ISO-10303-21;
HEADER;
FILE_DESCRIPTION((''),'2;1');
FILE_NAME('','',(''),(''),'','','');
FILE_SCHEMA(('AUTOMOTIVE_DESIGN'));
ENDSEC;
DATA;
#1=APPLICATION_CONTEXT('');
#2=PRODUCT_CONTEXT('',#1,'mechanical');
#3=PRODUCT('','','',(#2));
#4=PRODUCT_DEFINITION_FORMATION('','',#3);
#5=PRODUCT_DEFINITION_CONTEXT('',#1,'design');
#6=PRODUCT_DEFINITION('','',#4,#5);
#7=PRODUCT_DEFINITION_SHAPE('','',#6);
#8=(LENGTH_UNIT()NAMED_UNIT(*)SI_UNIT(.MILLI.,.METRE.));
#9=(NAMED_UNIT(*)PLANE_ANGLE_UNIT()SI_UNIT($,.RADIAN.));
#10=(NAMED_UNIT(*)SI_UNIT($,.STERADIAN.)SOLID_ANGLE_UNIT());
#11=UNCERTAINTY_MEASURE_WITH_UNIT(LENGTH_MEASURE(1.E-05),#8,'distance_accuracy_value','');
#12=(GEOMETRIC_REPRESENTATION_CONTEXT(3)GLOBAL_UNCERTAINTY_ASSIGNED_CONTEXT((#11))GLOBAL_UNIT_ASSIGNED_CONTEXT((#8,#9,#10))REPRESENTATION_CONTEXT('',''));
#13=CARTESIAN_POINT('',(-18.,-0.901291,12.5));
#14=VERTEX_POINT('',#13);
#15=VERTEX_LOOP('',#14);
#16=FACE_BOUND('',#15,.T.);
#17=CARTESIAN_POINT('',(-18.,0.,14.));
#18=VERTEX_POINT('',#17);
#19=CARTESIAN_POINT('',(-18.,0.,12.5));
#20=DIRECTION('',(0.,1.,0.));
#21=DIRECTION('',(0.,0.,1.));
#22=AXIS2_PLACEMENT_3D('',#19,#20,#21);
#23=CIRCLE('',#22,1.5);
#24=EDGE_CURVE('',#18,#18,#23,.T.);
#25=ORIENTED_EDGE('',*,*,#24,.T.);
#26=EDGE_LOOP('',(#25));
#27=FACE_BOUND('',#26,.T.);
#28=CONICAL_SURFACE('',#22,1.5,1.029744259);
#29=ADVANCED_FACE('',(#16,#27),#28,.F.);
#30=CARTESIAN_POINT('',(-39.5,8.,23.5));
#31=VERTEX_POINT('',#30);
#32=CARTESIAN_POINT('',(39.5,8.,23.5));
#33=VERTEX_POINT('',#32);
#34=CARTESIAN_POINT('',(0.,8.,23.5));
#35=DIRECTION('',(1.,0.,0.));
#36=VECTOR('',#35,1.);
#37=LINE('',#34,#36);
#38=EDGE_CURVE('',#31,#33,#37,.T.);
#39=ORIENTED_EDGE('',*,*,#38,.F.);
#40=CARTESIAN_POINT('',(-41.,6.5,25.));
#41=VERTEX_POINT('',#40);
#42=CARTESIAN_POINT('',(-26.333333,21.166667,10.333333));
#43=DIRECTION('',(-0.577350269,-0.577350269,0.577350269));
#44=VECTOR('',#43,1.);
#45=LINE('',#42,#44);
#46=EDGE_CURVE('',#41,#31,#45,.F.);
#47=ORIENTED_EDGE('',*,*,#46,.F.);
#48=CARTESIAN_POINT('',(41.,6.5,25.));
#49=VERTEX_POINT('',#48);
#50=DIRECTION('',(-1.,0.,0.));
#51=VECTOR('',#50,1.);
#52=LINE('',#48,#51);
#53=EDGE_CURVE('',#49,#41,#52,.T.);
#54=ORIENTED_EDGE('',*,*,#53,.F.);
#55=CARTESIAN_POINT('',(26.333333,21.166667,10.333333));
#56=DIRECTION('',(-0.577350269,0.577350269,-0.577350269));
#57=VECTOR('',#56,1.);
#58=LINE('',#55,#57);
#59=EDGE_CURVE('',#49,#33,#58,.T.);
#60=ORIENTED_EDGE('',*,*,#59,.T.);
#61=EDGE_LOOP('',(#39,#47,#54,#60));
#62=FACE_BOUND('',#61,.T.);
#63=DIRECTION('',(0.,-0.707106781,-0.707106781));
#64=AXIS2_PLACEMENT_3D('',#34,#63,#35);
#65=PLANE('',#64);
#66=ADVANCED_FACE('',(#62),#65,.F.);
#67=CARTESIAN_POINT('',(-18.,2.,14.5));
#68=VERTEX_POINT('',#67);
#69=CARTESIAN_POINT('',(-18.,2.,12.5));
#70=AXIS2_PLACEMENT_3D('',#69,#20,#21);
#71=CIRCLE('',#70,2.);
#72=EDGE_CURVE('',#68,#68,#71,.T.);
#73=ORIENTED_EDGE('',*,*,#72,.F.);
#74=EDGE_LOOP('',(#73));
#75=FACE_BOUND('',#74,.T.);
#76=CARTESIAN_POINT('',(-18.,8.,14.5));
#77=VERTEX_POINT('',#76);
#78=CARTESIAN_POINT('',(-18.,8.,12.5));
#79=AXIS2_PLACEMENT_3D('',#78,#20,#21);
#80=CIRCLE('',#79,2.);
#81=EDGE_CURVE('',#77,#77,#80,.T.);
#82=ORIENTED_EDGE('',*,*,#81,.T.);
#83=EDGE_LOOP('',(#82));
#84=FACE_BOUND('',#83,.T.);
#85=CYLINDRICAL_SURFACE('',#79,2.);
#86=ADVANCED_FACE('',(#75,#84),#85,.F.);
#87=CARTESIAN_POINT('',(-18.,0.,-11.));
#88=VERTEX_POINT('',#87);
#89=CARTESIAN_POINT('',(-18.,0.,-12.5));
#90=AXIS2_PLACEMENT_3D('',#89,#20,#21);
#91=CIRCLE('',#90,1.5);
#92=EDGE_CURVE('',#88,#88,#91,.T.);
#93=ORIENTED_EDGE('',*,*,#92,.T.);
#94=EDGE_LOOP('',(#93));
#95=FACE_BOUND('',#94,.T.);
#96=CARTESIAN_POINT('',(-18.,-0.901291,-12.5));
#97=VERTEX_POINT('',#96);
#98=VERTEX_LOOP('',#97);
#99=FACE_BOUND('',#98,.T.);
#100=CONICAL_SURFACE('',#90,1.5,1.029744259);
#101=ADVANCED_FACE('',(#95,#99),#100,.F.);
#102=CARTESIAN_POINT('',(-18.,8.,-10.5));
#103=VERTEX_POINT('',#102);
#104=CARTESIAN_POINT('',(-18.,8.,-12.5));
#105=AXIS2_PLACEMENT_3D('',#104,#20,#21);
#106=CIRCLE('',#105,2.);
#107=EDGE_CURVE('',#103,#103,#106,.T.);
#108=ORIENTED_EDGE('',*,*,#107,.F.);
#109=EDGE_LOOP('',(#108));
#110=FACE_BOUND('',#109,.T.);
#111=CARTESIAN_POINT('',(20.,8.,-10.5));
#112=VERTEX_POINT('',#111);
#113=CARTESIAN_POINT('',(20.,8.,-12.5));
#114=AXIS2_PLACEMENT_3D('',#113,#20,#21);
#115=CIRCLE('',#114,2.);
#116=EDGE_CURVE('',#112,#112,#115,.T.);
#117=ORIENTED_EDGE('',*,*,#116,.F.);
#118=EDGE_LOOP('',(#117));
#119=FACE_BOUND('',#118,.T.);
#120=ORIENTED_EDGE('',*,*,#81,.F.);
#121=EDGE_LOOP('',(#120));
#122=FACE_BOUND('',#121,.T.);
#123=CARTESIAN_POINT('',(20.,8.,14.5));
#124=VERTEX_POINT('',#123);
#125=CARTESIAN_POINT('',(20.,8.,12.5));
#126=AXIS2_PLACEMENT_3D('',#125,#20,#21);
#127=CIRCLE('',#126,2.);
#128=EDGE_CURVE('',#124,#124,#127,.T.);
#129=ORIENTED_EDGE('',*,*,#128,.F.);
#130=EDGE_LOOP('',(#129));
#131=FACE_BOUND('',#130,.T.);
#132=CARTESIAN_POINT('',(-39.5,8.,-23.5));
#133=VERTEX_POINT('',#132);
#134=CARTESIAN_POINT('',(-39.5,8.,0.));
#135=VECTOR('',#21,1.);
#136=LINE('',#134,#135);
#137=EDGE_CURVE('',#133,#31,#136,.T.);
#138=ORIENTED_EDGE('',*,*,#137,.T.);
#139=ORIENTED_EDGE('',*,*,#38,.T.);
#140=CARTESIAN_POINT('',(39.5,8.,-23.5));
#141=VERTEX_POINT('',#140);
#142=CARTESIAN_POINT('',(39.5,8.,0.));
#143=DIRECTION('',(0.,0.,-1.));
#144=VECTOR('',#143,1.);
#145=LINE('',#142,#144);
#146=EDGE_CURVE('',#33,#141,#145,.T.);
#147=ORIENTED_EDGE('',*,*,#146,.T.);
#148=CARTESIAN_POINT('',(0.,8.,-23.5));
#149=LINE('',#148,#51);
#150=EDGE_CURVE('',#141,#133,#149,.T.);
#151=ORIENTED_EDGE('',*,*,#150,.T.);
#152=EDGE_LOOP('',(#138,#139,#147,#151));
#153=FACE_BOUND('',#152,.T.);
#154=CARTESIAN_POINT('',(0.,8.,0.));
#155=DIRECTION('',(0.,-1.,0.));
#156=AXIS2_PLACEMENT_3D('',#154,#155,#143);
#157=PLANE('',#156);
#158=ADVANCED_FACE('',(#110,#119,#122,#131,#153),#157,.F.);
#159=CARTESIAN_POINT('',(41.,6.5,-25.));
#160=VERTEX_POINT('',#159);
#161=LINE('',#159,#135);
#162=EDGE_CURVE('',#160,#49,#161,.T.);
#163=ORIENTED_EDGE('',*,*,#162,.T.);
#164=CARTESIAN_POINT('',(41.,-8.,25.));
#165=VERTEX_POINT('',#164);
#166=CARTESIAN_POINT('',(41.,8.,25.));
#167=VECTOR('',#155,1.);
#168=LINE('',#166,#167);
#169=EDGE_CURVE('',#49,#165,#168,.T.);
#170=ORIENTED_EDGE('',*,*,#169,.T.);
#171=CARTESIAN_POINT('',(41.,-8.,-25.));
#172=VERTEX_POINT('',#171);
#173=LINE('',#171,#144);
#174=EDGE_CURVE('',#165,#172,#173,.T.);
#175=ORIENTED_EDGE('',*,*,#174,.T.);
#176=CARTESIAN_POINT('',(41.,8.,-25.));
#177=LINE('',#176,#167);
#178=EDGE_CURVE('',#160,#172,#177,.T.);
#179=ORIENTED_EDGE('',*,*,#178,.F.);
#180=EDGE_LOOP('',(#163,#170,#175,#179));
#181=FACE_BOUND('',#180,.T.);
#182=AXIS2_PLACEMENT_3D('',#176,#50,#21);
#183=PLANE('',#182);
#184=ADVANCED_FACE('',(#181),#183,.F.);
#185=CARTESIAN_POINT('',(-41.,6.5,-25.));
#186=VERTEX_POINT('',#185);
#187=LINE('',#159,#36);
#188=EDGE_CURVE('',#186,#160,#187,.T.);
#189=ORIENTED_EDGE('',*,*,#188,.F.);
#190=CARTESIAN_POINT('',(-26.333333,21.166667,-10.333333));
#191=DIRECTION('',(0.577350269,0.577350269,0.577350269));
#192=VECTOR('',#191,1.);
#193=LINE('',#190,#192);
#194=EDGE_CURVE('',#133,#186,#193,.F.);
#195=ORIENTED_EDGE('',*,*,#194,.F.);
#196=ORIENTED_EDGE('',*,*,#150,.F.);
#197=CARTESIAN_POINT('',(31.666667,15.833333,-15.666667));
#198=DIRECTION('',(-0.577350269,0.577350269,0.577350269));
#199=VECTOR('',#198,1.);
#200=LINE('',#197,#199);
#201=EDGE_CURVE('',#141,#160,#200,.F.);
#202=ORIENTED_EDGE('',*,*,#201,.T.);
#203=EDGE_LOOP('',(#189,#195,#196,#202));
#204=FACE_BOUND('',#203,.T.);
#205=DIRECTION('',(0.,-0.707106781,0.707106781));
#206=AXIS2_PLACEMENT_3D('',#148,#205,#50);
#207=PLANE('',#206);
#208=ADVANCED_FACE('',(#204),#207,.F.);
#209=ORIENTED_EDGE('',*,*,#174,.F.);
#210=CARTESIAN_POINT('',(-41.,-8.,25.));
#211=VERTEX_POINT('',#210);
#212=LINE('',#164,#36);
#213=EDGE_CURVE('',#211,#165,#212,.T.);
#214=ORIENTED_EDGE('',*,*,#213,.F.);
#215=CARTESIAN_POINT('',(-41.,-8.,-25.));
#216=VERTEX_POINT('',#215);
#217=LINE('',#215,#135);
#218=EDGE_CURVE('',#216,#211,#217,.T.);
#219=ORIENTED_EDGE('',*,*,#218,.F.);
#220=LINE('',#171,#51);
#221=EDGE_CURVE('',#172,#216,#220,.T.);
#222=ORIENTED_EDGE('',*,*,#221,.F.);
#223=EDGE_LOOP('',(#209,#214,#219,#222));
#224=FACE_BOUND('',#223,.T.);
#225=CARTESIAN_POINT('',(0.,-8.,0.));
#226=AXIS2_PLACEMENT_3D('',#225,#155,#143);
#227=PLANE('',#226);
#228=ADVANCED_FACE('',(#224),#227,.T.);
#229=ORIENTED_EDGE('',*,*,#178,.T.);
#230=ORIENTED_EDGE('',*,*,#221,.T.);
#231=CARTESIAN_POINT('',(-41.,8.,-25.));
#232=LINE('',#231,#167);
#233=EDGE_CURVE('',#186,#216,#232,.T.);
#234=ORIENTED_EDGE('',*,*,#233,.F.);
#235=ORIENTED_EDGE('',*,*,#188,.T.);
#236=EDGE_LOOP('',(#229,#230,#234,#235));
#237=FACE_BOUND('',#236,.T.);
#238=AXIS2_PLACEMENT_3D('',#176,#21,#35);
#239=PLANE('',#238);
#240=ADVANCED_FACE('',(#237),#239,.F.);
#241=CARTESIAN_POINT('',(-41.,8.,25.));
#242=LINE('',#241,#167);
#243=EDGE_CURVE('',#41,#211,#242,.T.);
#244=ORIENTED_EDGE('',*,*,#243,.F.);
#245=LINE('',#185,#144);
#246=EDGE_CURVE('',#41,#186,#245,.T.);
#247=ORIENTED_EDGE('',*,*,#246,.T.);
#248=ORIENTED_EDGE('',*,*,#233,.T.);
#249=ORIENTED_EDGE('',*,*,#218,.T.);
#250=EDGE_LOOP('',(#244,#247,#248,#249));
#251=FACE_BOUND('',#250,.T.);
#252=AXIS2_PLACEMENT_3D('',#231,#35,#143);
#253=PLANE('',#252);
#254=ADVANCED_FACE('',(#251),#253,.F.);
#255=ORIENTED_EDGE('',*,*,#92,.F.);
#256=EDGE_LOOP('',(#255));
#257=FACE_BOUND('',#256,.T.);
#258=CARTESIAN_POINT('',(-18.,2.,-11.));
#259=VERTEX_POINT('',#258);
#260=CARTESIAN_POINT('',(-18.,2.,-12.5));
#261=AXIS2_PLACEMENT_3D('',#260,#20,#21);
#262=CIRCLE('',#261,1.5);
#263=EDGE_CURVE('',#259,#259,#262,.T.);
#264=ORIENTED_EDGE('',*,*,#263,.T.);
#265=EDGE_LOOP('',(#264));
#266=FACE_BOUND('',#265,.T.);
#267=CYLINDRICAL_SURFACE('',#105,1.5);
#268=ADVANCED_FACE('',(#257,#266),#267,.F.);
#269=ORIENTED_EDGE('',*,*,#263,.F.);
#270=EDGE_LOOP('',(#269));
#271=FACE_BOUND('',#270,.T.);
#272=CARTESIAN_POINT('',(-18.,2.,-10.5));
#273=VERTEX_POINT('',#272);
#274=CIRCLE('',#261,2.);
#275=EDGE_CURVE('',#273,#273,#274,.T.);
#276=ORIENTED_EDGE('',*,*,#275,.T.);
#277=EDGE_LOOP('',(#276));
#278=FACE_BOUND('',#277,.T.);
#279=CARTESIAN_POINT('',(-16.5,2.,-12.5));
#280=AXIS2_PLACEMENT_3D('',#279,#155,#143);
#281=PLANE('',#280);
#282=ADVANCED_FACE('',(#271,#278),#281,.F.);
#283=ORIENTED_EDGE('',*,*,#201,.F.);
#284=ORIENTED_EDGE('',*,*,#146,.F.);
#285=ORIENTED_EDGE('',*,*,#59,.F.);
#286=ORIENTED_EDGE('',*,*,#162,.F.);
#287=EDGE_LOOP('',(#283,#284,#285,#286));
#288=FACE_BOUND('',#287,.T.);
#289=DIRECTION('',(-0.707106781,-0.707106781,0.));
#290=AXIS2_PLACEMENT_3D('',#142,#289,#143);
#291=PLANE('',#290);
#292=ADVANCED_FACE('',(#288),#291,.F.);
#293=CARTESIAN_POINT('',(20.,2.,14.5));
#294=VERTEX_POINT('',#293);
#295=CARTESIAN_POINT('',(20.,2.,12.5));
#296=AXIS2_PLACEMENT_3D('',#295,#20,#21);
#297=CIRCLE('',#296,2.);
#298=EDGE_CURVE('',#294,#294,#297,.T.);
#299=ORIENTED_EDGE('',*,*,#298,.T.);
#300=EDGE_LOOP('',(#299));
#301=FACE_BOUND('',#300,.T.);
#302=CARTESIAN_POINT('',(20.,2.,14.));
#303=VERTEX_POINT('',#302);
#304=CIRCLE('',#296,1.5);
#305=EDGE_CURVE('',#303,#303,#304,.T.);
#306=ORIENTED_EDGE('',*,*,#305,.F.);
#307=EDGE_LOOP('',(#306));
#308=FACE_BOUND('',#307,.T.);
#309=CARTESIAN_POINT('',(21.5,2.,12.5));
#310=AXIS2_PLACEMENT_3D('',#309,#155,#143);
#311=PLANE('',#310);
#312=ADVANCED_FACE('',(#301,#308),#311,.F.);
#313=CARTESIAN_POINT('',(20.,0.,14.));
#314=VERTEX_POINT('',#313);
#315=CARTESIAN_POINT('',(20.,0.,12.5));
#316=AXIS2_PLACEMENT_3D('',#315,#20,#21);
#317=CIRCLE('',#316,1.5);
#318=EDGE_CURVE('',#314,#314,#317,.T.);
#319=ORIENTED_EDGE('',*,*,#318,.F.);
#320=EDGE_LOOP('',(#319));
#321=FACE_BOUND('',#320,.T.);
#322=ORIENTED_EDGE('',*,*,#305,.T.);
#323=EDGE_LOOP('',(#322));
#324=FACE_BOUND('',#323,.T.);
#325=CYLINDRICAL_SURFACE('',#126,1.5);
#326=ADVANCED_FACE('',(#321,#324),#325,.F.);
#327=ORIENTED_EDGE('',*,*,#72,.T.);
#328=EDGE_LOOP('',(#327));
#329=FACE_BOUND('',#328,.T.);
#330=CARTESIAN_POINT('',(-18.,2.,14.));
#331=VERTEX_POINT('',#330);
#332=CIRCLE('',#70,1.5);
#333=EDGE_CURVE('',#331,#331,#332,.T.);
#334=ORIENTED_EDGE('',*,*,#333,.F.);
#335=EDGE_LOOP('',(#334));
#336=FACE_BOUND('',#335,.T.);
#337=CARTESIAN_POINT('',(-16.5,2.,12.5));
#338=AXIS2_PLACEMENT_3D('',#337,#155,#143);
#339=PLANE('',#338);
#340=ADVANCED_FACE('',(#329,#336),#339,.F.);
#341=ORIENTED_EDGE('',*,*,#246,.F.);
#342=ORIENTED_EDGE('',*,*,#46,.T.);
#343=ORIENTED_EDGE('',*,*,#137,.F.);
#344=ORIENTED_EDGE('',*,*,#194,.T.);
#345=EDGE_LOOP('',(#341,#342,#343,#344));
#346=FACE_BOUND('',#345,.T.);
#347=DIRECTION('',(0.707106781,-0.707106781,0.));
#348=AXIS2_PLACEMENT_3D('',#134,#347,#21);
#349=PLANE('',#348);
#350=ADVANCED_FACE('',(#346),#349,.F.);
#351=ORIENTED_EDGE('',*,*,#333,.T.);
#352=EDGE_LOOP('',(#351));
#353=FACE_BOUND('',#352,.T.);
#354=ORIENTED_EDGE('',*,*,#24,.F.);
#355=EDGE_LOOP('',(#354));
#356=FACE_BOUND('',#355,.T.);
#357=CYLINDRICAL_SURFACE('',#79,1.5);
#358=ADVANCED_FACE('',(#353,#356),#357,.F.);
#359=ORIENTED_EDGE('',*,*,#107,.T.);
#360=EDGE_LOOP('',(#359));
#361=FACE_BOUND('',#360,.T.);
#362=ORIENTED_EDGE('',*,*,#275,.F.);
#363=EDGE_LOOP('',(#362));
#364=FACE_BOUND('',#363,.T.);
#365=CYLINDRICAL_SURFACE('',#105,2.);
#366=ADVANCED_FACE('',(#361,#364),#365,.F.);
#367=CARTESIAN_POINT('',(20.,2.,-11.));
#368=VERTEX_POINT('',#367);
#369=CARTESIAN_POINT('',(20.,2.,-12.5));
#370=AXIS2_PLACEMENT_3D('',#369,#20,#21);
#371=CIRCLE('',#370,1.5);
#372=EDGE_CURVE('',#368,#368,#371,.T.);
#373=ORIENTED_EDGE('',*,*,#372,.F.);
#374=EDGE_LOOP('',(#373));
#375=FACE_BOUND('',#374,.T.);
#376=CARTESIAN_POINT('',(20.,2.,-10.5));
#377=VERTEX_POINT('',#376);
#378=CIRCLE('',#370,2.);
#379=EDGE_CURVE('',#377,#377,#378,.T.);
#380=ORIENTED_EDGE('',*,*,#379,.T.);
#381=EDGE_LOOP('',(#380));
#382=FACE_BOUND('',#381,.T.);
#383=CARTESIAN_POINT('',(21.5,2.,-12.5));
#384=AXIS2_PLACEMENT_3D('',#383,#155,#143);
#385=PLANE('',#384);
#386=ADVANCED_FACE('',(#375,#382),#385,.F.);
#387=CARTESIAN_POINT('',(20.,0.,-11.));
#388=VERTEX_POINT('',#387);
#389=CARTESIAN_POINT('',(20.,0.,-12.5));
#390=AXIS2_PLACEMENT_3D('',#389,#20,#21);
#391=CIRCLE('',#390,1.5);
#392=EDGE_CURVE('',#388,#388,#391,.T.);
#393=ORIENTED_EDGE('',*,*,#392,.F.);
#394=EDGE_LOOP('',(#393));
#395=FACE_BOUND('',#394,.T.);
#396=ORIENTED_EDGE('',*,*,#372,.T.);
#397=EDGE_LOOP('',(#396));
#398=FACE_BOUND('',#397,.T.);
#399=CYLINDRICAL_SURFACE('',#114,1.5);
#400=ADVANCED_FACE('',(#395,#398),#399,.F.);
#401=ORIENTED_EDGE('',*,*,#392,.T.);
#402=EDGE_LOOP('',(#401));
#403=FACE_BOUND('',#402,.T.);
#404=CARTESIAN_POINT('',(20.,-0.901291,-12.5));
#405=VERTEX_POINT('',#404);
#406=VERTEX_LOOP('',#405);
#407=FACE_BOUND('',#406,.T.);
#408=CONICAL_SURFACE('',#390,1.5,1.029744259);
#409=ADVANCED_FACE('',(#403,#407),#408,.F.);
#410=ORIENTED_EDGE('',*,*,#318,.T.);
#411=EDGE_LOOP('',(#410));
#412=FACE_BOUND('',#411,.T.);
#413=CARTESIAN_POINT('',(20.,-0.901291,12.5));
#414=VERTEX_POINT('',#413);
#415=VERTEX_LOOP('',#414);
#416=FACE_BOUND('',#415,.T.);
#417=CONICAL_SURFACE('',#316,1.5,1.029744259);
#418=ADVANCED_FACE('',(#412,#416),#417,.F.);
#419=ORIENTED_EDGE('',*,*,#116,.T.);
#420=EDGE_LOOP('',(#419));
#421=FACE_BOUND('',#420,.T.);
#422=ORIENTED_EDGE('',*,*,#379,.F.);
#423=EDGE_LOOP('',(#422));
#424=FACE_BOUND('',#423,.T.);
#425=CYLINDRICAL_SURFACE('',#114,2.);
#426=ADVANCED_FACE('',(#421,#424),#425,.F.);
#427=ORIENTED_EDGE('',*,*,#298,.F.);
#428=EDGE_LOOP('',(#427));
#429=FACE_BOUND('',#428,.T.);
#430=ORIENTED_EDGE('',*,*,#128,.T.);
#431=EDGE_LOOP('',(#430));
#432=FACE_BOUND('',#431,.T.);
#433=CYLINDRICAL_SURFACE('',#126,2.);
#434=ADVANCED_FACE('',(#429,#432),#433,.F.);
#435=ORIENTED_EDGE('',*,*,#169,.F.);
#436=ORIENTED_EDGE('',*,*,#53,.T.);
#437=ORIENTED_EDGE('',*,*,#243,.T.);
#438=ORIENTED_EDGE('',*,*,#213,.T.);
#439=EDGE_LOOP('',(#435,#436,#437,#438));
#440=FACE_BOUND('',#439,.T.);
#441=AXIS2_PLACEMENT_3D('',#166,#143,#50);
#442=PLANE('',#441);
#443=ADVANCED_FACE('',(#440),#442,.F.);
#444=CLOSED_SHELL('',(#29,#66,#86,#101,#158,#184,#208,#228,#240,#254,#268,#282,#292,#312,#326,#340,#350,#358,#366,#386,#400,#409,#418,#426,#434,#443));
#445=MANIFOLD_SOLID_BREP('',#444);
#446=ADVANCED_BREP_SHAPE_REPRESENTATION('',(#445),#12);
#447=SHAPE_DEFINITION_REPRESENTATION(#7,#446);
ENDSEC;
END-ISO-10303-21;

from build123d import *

# Parameters (mm, degrees)
SKETCH1_W                               = 82
SKETCH1_H                               = 50
BOSS_EXTRUDE1_DEPTH                     = 8
CHAMFER1_SIZE                           = 1.5
CBORE_FOR_M5_HEX_HEAD_BOLT1_D           = 3
CBORE_FOR_M5_HEX_HEAD_BOLT1_DEPTH       = 8
CBORE_FOR_M5_HEX_HEAD_BOLT1_CBORE_D     = 4
CBORE_FOR_M5_HEX_HEAD_BOLT1_CBORE_DEPTH = 6
CBORE_FOR_M5_HEX_HEAD_BOLT1_TIP         = 0.901290929


with BuildPart() as part:
    # Sketch1 → Boss-Extrude1 (new, symmetric)
    with BuildSketch(Plane(origin=(0, 0, 0), x_dir=(1, 0, 0), z_dir=(0, 1, 0))):
        Rectangle(SKETCH1_W, SKETCH1_H)
    extrude(amount=BOSS_EXTRUDE1_DEPTH, both=True)

    # Chamfer1
    chamfer1_edges = [part.edges().sort_by_distance(p)[0] for p in [
        (41, 8, 0),
        (0, 8, -25),
        (-41, 8, 0),
        (0, 8, 25),
    ]]
    chamfer(chamfer1_edges, length=CHAMFER1_SIZE)

    # CBORE for M5 Hex Head Bolt1
    with Locations(Plane(origin=(0, 8, 0), x_dir=(1, 0, 0), z_dir=(0, 1, 0))):
        with Locations((-18, 12.5), (-18, -12.5), (20, -12.5), (20, 12.5)):
            CounterBoreHole(CBORE_FOR_M5_HEX_HEAD_BOLT1_D / 2, CBORE_FOR_M5_HEX_HEAD_BOLT1_CBORE_D / 2, CBORE_FOR_M5_HEX_HEAD_BOLT1_CBORE_DEPTH, depth=CBORE_FOR_M5_HEX_HEAD_BOLT1_DEPTH)
            with Locations((0, 0, -(CBORE_FOR_M5_HEX_HEAD_BOLT1_DEPTH + CBORE_FOR_M5_HEX_HEAD_BOLT1_TIP / 2))):  # 118° drill point
                Cone(0, CBORE_FOR_M5_HEX_HEAD_BOLT1_D / 2, CBORE_FOR_M5_HEX_HEAD_BOLT1_TIP, mode=Mode.SUBTRACT)


solid = part.part
